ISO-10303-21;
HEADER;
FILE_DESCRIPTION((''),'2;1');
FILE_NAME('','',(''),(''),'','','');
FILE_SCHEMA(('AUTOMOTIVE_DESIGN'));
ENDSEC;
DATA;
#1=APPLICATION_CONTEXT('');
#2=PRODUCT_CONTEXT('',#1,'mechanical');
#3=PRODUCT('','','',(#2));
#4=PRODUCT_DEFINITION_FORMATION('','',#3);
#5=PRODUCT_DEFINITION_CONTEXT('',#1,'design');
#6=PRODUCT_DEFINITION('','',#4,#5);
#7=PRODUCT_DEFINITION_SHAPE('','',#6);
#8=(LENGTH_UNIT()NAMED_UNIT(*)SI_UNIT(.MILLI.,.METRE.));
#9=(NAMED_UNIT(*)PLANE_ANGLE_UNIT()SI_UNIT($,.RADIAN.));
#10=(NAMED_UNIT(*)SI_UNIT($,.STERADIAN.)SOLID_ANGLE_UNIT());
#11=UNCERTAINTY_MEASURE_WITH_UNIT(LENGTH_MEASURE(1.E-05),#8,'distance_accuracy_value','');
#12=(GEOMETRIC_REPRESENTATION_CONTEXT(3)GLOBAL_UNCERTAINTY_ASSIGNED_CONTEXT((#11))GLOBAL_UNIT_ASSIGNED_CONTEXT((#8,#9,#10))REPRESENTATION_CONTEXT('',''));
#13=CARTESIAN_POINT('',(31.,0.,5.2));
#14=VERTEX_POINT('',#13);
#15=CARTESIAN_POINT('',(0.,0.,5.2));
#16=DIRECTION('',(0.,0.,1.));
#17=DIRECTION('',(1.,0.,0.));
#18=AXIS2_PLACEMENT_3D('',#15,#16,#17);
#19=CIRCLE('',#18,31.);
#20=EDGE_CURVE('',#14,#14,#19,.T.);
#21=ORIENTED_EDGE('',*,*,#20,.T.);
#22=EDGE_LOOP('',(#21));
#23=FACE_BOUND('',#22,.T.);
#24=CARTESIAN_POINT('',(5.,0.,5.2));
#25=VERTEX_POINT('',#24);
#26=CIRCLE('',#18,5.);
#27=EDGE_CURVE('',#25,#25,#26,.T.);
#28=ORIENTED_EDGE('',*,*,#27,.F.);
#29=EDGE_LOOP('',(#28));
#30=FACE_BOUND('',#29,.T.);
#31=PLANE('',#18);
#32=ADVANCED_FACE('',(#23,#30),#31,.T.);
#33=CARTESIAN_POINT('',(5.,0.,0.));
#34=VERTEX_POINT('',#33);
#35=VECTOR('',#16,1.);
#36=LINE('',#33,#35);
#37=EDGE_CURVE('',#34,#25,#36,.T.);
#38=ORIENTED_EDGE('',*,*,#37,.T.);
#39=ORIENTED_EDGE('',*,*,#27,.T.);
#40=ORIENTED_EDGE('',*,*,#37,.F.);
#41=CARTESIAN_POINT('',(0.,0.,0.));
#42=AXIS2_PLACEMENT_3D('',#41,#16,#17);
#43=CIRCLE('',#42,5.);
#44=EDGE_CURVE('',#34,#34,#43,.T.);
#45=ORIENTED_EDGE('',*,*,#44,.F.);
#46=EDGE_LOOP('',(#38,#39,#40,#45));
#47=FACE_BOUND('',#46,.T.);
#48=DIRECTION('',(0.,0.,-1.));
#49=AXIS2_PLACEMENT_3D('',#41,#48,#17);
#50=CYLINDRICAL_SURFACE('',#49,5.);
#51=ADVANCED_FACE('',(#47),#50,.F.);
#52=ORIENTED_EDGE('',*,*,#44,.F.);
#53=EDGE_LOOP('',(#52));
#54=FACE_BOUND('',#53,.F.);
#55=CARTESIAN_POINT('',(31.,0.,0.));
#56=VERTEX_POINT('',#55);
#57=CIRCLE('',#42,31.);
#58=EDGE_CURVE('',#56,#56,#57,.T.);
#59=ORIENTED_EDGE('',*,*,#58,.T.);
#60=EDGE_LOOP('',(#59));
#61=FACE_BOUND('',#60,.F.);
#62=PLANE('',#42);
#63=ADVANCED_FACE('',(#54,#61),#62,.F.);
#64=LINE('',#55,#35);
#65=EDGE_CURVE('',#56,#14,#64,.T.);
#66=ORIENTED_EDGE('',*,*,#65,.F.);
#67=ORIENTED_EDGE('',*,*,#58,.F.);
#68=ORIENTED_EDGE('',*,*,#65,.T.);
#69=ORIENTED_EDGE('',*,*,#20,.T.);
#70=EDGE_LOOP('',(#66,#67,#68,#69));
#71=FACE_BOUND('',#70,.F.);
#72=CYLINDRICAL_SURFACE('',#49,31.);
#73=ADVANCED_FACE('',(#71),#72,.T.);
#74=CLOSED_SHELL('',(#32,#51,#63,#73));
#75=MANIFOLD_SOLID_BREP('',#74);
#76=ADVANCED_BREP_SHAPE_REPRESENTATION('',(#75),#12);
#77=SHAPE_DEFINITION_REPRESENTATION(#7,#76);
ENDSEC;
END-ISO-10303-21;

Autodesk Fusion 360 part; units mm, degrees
sketch "Sketch1" plane through (0, 0, 0) normal (0, 0, 1) x (1, 0, 0)
  circle A0 centre (0, 0) radius 31
  circle A1 centre (0, 0) radius 5
  dimension "d1" = 62
  dimension "d2" = 10
extrude "Extrude1" add sketch "Sketch1" along normal blind 5.2
